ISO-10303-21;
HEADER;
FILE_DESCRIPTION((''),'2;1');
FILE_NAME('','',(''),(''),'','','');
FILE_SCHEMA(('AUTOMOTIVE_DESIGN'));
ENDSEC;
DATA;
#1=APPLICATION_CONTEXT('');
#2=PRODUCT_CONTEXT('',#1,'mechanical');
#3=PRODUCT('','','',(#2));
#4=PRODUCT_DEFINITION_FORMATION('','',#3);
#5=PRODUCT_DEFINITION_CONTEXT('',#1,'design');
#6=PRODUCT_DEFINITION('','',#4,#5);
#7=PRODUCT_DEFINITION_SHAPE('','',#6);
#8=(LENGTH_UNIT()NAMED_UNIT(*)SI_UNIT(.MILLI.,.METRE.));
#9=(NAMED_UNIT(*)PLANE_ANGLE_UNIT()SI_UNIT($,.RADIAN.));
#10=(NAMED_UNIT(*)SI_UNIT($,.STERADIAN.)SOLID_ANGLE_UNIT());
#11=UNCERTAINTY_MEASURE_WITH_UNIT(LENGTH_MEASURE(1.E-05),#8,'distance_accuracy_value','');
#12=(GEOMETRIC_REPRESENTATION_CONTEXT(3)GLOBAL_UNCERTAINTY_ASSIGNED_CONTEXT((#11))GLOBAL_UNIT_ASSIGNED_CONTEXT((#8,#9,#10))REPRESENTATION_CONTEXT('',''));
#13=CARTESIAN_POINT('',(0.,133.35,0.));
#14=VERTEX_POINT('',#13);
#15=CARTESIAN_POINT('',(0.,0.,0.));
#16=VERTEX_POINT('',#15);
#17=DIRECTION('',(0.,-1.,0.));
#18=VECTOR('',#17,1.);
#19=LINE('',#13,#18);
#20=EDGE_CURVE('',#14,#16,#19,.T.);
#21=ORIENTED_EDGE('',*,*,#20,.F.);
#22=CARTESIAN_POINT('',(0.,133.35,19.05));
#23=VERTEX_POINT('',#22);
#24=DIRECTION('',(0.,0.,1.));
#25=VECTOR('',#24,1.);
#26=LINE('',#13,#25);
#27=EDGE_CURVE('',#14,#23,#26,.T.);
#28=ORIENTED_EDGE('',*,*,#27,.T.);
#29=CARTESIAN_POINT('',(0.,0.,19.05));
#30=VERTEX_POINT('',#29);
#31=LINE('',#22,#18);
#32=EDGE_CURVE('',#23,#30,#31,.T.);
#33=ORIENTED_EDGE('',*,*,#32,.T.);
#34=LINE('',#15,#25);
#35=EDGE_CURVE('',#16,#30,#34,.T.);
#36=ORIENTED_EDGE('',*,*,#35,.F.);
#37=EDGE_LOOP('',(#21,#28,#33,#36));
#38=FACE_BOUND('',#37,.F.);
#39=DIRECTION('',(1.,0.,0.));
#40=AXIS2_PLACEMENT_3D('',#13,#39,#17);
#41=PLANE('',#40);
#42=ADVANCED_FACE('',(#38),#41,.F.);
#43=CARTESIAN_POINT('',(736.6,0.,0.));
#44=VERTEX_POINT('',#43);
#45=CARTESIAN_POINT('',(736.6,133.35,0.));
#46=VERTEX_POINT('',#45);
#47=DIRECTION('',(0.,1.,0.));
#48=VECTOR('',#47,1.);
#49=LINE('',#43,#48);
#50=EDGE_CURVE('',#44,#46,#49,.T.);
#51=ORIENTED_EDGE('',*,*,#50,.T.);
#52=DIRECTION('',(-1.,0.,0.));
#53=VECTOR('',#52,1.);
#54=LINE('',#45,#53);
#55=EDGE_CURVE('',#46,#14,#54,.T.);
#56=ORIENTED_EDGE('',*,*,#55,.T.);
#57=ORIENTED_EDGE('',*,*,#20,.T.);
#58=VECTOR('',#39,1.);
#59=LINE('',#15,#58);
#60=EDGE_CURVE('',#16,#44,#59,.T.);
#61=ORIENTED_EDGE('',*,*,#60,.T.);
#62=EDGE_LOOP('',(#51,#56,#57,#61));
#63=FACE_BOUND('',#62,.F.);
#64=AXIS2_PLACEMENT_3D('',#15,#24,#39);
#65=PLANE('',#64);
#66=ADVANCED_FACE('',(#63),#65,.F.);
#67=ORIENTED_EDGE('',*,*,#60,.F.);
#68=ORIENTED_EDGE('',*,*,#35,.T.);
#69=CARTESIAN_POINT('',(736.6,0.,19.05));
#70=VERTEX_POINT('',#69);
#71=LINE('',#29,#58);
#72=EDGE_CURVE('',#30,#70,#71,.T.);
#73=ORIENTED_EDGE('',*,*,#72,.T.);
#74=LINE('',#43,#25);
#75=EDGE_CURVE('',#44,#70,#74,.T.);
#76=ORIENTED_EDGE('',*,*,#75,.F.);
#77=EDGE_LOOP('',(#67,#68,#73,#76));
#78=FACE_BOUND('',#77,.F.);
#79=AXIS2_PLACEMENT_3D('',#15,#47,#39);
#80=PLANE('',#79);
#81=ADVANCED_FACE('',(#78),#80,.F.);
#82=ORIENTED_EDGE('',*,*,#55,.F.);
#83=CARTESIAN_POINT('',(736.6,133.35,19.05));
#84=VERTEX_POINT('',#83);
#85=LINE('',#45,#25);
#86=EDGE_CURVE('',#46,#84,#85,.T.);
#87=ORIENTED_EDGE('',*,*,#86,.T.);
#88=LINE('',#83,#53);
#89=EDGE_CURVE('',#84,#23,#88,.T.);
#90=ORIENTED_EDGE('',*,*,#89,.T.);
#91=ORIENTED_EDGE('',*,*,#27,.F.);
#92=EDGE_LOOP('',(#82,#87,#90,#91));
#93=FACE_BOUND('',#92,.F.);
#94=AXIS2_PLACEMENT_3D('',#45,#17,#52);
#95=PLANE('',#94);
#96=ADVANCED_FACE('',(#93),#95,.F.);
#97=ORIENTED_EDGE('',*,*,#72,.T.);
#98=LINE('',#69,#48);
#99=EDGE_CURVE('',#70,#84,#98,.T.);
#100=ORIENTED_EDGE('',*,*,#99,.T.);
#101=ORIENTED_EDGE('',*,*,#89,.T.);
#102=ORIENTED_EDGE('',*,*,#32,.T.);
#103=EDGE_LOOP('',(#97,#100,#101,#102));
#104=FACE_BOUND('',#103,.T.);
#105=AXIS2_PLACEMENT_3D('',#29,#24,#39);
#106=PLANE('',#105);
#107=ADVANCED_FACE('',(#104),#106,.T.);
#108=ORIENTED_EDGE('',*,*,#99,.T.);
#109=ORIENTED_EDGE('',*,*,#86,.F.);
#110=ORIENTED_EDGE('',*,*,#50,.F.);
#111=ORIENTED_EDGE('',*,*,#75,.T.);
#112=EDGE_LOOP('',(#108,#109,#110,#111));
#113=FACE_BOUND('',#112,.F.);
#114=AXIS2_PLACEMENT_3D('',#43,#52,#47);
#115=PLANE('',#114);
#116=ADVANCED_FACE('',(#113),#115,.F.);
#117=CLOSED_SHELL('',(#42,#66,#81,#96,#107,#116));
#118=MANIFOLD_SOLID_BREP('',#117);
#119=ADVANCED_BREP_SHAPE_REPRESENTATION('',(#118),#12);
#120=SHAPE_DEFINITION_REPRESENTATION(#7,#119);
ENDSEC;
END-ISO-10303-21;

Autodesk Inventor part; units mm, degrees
ref_plane "YZ Plane" through (0, 0, 0) normal (1, 0, 0) x (0, 1, 0)
ref_plane "XZ Plane" through (0, 0, 0) normal (0, 1, 0) x (-1, 0, 0)
ref_plane "XY Plane" through (0, 0, 0) normal (0, 0, 1) x (1, 0, 0)
sketch "Sketch1" plane through (0, 0, 0) normal (0, 0, 1) x (1, 0, 0)
  line L0 (0, 0) -> (736.6, 0)
  line L1 (736.6, 0) -> (736.6, 133.35)
  line L2 (736.6, 133.35) -> (0, 133.35)
  line L3 (0, 133.35) -> (0, 0)
  dimension "d0" = 736.6
  dimension "d1" = 133.35
extrude "Extrusion1" add sketch "Sketch1" along normal blind 19.05
properties part number "Platform 29in side"
